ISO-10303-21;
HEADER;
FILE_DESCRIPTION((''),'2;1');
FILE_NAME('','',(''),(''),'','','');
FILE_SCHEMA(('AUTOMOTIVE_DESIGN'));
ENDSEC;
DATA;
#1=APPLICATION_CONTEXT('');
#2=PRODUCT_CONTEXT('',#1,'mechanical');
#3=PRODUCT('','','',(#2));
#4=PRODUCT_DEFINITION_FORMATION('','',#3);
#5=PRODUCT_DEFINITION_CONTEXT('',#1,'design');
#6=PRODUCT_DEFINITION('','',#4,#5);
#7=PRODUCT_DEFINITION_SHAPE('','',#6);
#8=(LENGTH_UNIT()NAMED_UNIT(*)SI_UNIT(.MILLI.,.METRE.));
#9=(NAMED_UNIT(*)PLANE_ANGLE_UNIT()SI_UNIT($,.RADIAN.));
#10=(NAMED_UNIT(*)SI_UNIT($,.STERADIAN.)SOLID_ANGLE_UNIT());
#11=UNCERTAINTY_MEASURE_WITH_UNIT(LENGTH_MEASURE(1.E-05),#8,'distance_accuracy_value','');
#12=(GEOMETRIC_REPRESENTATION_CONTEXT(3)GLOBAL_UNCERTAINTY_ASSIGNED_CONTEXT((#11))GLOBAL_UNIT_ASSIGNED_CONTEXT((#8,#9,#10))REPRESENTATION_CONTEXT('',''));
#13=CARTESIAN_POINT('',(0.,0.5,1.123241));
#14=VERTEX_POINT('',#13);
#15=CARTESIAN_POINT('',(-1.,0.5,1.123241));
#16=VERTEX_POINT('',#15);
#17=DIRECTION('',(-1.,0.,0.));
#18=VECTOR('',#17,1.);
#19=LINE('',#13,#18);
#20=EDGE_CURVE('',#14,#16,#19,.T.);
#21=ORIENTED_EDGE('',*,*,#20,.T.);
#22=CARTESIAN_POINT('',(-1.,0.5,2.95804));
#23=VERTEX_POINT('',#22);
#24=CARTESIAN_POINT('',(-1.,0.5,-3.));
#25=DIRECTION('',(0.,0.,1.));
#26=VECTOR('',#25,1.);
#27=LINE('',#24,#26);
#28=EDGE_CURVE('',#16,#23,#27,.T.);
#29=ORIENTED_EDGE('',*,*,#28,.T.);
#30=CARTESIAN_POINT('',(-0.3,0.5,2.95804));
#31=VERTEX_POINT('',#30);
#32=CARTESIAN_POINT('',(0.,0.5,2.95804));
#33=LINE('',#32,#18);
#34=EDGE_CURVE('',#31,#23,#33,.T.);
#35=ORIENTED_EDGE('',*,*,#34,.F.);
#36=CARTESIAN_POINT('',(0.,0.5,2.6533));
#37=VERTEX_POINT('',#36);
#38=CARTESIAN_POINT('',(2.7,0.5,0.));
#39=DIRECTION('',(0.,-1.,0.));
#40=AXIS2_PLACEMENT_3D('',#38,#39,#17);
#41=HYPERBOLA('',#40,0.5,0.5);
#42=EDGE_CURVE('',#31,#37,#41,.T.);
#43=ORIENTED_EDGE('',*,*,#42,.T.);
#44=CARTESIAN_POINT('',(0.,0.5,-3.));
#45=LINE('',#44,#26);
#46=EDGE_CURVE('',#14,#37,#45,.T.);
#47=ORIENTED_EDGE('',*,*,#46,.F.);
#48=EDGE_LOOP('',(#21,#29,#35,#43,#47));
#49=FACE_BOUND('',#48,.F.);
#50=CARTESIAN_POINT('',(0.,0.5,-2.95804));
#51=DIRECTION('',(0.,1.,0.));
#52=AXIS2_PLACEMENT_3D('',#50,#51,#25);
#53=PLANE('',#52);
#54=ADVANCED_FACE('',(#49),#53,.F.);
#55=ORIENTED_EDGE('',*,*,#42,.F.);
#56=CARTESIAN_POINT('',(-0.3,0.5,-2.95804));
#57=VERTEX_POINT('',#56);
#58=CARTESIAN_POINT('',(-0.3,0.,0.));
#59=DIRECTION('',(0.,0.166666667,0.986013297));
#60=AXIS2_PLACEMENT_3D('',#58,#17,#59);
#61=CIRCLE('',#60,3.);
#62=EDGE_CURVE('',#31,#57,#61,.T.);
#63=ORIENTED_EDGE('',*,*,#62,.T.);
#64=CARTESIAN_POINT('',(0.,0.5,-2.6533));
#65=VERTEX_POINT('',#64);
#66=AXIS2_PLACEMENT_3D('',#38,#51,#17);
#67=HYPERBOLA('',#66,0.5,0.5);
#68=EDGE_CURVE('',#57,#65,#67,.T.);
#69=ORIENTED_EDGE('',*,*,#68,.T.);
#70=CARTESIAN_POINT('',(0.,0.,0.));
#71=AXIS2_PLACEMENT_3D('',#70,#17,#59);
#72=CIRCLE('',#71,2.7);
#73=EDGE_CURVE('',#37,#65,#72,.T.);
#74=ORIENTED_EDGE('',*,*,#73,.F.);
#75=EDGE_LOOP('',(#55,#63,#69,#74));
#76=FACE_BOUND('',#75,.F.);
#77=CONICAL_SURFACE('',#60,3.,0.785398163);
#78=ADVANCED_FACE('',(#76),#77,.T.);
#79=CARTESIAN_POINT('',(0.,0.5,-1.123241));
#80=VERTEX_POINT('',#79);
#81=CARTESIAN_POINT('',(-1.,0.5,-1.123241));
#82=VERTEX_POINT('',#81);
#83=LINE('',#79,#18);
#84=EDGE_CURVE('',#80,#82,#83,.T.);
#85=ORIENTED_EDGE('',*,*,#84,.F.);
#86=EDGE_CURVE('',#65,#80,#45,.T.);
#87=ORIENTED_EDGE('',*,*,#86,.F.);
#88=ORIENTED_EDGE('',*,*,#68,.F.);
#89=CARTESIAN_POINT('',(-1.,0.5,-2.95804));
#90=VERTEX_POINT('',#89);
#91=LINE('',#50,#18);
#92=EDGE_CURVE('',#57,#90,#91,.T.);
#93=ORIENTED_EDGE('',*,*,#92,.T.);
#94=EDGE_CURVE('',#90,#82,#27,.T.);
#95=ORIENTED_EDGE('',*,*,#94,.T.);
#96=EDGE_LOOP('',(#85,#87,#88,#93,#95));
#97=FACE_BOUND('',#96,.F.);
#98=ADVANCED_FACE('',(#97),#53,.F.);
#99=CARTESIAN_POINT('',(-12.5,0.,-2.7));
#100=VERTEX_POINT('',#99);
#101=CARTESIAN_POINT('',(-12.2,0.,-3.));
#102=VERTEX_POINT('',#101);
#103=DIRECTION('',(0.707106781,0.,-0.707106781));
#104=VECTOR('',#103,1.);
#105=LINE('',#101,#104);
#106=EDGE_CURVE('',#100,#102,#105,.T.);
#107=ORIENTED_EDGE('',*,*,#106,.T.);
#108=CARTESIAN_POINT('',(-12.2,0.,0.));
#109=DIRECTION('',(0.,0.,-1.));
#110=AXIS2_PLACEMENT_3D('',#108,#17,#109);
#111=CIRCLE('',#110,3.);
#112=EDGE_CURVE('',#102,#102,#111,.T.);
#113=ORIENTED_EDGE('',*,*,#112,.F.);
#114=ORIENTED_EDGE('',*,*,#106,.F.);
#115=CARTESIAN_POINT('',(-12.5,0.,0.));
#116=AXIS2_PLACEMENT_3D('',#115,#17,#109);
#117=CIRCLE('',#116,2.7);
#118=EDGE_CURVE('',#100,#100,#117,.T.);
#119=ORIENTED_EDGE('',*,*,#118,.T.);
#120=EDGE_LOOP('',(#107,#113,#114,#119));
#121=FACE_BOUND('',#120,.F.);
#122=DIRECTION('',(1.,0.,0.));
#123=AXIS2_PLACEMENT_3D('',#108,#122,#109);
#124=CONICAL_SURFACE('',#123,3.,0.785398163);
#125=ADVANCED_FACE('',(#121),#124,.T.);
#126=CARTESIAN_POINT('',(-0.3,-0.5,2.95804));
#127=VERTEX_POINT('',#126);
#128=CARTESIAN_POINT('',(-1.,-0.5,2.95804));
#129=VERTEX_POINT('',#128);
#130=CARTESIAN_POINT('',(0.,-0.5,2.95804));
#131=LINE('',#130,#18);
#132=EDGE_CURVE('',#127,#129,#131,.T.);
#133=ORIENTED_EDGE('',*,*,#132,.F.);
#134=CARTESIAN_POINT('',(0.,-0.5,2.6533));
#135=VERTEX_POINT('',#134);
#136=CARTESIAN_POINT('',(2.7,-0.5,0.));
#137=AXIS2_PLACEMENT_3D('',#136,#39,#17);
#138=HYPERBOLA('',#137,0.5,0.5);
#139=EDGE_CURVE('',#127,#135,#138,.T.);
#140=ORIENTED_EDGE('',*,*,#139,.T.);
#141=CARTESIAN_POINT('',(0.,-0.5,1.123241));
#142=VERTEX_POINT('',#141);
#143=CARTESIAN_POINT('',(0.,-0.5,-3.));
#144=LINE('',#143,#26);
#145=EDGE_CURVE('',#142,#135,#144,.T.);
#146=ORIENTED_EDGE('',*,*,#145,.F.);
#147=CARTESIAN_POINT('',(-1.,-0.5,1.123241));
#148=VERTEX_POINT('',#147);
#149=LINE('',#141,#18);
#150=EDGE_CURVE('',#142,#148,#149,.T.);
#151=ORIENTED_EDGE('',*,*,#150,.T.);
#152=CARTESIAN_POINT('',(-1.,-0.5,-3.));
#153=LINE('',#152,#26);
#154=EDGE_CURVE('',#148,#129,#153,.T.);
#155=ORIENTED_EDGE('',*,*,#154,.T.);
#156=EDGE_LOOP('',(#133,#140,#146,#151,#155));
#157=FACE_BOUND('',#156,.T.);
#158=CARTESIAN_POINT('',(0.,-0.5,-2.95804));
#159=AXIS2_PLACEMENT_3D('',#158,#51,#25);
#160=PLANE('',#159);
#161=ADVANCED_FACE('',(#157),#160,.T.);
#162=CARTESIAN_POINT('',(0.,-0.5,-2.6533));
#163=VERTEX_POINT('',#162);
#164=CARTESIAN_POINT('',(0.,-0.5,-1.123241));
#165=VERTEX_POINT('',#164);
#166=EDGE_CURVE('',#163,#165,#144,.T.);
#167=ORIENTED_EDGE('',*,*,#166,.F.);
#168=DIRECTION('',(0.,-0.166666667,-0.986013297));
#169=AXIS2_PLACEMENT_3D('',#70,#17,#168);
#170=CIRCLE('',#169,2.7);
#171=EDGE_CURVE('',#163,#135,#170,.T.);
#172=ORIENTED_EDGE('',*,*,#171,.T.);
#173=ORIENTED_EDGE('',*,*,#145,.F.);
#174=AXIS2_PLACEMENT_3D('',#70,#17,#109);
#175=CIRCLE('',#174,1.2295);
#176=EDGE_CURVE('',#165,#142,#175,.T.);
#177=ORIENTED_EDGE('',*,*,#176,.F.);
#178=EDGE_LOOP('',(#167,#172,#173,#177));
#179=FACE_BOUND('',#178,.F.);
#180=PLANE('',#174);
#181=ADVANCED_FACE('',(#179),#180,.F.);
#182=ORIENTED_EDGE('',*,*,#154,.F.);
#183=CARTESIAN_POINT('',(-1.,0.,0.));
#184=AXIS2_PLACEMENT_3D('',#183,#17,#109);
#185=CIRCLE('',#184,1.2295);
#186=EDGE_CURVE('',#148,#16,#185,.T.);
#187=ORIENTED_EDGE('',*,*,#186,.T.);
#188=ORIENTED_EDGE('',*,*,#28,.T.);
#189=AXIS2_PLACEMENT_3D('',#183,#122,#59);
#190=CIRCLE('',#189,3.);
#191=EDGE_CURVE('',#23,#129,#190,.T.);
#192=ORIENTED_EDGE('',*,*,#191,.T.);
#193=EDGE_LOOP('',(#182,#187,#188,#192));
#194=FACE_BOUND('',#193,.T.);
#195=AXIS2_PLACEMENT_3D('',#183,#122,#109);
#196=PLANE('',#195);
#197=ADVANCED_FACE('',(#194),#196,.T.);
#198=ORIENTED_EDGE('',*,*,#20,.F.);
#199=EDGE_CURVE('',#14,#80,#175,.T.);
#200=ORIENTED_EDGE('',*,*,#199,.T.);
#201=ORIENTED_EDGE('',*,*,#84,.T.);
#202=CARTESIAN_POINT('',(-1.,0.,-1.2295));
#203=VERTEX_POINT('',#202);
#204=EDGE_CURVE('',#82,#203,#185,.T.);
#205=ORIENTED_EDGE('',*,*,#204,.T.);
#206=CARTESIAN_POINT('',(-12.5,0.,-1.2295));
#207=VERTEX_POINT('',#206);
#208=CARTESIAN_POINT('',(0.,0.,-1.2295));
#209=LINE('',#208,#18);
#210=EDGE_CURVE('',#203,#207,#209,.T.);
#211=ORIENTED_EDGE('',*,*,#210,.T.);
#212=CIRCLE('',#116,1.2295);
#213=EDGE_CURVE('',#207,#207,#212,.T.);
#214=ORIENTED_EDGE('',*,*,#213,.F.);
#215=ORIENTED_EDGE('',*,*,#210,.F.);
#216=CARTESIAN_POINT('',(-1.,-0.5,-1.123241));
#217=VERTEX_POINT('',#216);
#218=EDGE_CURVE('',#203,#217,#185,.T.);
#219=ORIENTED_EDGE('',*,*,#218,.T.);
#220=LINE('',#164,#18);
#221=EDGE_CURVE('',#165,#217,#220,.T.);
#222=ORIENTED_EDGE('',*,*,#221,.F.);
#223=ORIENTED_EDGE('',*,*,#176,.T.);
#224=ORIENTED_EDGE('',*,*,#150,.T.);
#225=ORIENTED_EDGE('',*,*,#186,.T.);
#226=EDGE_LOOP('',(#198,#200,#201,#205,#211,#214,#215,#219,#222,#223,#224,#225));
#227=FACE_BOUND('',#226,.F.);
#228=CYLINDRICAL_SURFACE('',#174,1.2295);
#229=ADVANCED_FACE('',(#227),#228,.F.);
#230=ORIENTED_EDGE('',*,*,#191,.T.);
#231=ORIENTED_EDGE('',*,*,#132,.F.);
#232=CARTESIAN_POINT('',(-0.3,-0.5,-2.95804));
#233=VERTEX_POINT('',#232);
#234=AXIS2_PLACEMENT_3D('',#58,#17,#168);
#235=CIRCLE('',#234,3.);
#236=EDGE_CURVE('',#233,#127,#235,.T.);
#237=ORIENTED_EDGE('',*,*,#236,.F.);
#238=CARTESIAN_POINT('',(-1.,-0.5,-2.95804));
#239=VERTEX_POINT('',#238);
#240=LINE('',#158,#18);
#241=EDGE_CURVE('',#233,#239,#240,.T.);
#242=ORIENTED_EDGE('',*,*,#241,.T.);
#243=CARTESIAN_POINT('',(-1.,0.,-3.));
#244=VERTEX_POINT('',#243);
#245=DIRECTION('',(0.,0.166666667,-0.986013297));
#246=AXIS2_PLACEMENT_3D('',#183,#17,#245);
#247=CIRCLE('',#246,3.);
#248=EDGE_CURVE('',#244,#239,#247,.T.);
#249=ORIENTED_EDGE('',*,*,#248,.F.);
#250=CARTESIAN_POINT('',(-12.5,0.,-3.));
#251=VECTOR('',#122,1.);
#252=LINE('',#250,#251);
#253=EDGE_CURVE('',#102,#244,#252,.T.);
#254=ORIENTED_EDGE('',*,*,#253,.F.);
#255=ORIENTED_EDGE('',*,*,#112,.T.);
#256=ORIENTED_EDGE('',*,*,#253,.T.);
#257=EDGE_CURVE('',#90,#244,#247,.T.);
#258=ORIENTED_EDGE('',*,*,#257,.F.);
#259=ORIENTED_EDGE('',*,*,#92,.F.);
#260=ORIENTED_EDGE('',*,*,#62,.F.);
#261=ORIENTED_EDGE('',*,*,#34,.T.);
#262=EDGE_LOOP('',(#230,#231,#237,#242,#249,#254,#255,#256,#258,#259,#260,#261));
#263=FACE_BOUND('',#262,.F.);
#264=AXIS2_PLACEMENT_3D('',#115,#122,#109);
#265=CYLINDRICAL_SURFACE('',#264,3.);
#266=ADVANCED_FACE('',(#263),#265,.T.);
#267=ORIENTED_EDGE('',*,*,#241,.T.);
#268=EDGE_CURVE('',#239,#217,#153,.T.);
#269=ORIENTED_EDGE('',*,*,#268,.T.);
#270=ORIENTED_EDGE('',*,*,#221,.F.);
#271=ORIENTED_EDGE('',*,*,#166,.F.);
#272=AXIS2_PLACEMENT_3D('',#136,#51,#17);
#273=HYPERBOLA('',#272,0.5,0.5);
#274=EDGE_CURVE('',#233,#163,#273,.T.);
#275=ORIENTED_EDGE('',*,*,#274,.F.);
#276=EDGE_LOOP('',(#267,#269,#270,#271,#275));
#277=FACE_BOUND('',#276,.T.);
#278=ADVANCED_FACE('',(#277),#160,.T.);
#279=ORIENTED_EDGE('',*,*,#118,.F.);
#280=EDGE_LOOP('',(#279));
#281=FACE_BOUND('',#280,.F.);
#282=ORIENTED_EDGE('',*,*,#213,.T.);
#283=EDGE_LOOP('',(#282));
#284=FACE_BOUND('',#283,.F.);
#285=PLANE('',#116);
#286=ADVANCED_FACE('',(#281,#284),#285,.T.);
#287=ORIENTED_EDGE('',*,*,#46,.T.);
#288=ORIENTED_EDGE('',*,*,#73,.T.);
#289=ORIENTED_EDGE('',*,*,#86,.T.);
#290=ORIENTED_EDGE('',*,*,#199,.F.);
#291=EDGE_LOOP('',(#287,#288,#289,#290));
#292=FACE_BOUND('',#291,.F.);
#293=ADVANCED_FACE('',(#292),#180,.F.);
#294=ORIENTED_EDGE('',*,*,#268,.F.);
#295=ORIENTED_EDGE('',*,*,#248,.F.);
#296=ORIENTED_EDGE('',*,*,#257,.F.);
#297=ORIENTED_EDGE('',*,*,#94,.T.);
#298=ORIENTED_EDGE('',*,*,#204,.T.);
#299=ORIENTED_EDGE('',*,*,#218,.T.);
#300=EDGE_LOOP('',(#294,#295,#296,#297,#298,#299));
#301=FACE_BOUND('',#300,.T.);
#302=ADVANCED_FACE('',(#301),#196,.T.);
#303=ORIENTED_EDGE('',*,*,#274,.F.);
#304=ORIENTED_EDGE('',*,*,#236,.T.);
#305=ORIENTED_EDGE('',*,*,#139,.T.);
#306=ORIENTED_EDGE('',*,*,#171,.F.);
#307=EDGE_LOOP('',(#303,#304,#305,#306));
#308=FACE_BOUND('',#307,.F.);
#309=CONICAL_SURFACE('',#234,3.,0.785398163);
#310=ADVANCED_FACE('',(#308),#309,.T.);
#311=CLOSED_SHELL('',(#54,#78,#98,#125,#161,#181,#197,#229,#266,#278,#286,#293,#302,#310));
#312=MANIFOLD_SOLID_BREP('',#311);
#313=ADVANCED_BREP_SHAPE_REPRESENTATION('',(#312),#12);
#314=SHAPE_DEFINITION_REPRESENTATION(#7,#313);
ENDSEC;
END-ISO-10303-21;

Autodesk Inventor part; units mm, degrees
ref_plane "YZ Plane" through (0, 0, 0) normal (1, 0, 0) x (0, 1, 0)
ref_plane "XZ Plane" through (0, 0, 0) normal (0, 1, 0) x (-1, 0, 0)
ref_plane "XY Plane" through (0, 0, 0) normal (0, 0, 1) x (1, 0, 0)
sketch "スケッチ1" plane through (0, 0, 0) normal (0, 1, 0) x (-1, 0, 0)
  line L0 (0, 0) -> (12.5, 0)
  line L1 (12.5, 0) -> (12.5, -3)
  line L2 (12.5, -3) -> (0, -3)
  line L3 (0, -3) -> (0, 0)
  dimension "d0" = 12.5
  dimension "d1" = 3
revolve "回転1" add sketch "スケッチ1" angle 360 about axis through (0, 0, 0) along (-1, 0, 0)
sketch "スケッチ2" plane through (0, 0, 0) normal (1, 0, 0) x (0, 0, -1)
  point P0 (0, 0)
  point P1 (0, 0)
hole "穴1" at (0, 0, 0) direction (-1, 0, 0) diameter 2.459 end through all thread size "M3x0.5" class "6H" standard "ANSI Metric M Profile"
sketch "スケッチ3" plane through (0, 0, 0) normal (1, 0, 0) x (0, 0, -1)
  circle A0 centre (0, 0) radius 3 projected
  line L0 (3, 0) -> (-3, 0)
  line L1 (3, -0.5) -> (-3, -0.5)
  line L2 (3, 0.5) -> (-3, 0.5)
  line L3 (3, 0.5) -> (3, -0.5)
  line L4 (-3, 0.5) -> (-3, -0.5)
  point P0 (-2.958, -0.5)
  point P1 (2.958, -0.5)
  point P2 (2.958, 0.5)
  point P3 (-2.958, 0.5)
  dimension "d10" = 0.5
extrude "押し出し1" cut sketch "スケッチ3" against normal blind 1 contours L0 A0 L2 | A0 L1 L0
chamfer "面取り1" distance 0.3 angle 45 3 edges at (-12.5, 0, 3) (0, 3, 0) (0, -3, 0)
properties part number "BRU-312.5S"
